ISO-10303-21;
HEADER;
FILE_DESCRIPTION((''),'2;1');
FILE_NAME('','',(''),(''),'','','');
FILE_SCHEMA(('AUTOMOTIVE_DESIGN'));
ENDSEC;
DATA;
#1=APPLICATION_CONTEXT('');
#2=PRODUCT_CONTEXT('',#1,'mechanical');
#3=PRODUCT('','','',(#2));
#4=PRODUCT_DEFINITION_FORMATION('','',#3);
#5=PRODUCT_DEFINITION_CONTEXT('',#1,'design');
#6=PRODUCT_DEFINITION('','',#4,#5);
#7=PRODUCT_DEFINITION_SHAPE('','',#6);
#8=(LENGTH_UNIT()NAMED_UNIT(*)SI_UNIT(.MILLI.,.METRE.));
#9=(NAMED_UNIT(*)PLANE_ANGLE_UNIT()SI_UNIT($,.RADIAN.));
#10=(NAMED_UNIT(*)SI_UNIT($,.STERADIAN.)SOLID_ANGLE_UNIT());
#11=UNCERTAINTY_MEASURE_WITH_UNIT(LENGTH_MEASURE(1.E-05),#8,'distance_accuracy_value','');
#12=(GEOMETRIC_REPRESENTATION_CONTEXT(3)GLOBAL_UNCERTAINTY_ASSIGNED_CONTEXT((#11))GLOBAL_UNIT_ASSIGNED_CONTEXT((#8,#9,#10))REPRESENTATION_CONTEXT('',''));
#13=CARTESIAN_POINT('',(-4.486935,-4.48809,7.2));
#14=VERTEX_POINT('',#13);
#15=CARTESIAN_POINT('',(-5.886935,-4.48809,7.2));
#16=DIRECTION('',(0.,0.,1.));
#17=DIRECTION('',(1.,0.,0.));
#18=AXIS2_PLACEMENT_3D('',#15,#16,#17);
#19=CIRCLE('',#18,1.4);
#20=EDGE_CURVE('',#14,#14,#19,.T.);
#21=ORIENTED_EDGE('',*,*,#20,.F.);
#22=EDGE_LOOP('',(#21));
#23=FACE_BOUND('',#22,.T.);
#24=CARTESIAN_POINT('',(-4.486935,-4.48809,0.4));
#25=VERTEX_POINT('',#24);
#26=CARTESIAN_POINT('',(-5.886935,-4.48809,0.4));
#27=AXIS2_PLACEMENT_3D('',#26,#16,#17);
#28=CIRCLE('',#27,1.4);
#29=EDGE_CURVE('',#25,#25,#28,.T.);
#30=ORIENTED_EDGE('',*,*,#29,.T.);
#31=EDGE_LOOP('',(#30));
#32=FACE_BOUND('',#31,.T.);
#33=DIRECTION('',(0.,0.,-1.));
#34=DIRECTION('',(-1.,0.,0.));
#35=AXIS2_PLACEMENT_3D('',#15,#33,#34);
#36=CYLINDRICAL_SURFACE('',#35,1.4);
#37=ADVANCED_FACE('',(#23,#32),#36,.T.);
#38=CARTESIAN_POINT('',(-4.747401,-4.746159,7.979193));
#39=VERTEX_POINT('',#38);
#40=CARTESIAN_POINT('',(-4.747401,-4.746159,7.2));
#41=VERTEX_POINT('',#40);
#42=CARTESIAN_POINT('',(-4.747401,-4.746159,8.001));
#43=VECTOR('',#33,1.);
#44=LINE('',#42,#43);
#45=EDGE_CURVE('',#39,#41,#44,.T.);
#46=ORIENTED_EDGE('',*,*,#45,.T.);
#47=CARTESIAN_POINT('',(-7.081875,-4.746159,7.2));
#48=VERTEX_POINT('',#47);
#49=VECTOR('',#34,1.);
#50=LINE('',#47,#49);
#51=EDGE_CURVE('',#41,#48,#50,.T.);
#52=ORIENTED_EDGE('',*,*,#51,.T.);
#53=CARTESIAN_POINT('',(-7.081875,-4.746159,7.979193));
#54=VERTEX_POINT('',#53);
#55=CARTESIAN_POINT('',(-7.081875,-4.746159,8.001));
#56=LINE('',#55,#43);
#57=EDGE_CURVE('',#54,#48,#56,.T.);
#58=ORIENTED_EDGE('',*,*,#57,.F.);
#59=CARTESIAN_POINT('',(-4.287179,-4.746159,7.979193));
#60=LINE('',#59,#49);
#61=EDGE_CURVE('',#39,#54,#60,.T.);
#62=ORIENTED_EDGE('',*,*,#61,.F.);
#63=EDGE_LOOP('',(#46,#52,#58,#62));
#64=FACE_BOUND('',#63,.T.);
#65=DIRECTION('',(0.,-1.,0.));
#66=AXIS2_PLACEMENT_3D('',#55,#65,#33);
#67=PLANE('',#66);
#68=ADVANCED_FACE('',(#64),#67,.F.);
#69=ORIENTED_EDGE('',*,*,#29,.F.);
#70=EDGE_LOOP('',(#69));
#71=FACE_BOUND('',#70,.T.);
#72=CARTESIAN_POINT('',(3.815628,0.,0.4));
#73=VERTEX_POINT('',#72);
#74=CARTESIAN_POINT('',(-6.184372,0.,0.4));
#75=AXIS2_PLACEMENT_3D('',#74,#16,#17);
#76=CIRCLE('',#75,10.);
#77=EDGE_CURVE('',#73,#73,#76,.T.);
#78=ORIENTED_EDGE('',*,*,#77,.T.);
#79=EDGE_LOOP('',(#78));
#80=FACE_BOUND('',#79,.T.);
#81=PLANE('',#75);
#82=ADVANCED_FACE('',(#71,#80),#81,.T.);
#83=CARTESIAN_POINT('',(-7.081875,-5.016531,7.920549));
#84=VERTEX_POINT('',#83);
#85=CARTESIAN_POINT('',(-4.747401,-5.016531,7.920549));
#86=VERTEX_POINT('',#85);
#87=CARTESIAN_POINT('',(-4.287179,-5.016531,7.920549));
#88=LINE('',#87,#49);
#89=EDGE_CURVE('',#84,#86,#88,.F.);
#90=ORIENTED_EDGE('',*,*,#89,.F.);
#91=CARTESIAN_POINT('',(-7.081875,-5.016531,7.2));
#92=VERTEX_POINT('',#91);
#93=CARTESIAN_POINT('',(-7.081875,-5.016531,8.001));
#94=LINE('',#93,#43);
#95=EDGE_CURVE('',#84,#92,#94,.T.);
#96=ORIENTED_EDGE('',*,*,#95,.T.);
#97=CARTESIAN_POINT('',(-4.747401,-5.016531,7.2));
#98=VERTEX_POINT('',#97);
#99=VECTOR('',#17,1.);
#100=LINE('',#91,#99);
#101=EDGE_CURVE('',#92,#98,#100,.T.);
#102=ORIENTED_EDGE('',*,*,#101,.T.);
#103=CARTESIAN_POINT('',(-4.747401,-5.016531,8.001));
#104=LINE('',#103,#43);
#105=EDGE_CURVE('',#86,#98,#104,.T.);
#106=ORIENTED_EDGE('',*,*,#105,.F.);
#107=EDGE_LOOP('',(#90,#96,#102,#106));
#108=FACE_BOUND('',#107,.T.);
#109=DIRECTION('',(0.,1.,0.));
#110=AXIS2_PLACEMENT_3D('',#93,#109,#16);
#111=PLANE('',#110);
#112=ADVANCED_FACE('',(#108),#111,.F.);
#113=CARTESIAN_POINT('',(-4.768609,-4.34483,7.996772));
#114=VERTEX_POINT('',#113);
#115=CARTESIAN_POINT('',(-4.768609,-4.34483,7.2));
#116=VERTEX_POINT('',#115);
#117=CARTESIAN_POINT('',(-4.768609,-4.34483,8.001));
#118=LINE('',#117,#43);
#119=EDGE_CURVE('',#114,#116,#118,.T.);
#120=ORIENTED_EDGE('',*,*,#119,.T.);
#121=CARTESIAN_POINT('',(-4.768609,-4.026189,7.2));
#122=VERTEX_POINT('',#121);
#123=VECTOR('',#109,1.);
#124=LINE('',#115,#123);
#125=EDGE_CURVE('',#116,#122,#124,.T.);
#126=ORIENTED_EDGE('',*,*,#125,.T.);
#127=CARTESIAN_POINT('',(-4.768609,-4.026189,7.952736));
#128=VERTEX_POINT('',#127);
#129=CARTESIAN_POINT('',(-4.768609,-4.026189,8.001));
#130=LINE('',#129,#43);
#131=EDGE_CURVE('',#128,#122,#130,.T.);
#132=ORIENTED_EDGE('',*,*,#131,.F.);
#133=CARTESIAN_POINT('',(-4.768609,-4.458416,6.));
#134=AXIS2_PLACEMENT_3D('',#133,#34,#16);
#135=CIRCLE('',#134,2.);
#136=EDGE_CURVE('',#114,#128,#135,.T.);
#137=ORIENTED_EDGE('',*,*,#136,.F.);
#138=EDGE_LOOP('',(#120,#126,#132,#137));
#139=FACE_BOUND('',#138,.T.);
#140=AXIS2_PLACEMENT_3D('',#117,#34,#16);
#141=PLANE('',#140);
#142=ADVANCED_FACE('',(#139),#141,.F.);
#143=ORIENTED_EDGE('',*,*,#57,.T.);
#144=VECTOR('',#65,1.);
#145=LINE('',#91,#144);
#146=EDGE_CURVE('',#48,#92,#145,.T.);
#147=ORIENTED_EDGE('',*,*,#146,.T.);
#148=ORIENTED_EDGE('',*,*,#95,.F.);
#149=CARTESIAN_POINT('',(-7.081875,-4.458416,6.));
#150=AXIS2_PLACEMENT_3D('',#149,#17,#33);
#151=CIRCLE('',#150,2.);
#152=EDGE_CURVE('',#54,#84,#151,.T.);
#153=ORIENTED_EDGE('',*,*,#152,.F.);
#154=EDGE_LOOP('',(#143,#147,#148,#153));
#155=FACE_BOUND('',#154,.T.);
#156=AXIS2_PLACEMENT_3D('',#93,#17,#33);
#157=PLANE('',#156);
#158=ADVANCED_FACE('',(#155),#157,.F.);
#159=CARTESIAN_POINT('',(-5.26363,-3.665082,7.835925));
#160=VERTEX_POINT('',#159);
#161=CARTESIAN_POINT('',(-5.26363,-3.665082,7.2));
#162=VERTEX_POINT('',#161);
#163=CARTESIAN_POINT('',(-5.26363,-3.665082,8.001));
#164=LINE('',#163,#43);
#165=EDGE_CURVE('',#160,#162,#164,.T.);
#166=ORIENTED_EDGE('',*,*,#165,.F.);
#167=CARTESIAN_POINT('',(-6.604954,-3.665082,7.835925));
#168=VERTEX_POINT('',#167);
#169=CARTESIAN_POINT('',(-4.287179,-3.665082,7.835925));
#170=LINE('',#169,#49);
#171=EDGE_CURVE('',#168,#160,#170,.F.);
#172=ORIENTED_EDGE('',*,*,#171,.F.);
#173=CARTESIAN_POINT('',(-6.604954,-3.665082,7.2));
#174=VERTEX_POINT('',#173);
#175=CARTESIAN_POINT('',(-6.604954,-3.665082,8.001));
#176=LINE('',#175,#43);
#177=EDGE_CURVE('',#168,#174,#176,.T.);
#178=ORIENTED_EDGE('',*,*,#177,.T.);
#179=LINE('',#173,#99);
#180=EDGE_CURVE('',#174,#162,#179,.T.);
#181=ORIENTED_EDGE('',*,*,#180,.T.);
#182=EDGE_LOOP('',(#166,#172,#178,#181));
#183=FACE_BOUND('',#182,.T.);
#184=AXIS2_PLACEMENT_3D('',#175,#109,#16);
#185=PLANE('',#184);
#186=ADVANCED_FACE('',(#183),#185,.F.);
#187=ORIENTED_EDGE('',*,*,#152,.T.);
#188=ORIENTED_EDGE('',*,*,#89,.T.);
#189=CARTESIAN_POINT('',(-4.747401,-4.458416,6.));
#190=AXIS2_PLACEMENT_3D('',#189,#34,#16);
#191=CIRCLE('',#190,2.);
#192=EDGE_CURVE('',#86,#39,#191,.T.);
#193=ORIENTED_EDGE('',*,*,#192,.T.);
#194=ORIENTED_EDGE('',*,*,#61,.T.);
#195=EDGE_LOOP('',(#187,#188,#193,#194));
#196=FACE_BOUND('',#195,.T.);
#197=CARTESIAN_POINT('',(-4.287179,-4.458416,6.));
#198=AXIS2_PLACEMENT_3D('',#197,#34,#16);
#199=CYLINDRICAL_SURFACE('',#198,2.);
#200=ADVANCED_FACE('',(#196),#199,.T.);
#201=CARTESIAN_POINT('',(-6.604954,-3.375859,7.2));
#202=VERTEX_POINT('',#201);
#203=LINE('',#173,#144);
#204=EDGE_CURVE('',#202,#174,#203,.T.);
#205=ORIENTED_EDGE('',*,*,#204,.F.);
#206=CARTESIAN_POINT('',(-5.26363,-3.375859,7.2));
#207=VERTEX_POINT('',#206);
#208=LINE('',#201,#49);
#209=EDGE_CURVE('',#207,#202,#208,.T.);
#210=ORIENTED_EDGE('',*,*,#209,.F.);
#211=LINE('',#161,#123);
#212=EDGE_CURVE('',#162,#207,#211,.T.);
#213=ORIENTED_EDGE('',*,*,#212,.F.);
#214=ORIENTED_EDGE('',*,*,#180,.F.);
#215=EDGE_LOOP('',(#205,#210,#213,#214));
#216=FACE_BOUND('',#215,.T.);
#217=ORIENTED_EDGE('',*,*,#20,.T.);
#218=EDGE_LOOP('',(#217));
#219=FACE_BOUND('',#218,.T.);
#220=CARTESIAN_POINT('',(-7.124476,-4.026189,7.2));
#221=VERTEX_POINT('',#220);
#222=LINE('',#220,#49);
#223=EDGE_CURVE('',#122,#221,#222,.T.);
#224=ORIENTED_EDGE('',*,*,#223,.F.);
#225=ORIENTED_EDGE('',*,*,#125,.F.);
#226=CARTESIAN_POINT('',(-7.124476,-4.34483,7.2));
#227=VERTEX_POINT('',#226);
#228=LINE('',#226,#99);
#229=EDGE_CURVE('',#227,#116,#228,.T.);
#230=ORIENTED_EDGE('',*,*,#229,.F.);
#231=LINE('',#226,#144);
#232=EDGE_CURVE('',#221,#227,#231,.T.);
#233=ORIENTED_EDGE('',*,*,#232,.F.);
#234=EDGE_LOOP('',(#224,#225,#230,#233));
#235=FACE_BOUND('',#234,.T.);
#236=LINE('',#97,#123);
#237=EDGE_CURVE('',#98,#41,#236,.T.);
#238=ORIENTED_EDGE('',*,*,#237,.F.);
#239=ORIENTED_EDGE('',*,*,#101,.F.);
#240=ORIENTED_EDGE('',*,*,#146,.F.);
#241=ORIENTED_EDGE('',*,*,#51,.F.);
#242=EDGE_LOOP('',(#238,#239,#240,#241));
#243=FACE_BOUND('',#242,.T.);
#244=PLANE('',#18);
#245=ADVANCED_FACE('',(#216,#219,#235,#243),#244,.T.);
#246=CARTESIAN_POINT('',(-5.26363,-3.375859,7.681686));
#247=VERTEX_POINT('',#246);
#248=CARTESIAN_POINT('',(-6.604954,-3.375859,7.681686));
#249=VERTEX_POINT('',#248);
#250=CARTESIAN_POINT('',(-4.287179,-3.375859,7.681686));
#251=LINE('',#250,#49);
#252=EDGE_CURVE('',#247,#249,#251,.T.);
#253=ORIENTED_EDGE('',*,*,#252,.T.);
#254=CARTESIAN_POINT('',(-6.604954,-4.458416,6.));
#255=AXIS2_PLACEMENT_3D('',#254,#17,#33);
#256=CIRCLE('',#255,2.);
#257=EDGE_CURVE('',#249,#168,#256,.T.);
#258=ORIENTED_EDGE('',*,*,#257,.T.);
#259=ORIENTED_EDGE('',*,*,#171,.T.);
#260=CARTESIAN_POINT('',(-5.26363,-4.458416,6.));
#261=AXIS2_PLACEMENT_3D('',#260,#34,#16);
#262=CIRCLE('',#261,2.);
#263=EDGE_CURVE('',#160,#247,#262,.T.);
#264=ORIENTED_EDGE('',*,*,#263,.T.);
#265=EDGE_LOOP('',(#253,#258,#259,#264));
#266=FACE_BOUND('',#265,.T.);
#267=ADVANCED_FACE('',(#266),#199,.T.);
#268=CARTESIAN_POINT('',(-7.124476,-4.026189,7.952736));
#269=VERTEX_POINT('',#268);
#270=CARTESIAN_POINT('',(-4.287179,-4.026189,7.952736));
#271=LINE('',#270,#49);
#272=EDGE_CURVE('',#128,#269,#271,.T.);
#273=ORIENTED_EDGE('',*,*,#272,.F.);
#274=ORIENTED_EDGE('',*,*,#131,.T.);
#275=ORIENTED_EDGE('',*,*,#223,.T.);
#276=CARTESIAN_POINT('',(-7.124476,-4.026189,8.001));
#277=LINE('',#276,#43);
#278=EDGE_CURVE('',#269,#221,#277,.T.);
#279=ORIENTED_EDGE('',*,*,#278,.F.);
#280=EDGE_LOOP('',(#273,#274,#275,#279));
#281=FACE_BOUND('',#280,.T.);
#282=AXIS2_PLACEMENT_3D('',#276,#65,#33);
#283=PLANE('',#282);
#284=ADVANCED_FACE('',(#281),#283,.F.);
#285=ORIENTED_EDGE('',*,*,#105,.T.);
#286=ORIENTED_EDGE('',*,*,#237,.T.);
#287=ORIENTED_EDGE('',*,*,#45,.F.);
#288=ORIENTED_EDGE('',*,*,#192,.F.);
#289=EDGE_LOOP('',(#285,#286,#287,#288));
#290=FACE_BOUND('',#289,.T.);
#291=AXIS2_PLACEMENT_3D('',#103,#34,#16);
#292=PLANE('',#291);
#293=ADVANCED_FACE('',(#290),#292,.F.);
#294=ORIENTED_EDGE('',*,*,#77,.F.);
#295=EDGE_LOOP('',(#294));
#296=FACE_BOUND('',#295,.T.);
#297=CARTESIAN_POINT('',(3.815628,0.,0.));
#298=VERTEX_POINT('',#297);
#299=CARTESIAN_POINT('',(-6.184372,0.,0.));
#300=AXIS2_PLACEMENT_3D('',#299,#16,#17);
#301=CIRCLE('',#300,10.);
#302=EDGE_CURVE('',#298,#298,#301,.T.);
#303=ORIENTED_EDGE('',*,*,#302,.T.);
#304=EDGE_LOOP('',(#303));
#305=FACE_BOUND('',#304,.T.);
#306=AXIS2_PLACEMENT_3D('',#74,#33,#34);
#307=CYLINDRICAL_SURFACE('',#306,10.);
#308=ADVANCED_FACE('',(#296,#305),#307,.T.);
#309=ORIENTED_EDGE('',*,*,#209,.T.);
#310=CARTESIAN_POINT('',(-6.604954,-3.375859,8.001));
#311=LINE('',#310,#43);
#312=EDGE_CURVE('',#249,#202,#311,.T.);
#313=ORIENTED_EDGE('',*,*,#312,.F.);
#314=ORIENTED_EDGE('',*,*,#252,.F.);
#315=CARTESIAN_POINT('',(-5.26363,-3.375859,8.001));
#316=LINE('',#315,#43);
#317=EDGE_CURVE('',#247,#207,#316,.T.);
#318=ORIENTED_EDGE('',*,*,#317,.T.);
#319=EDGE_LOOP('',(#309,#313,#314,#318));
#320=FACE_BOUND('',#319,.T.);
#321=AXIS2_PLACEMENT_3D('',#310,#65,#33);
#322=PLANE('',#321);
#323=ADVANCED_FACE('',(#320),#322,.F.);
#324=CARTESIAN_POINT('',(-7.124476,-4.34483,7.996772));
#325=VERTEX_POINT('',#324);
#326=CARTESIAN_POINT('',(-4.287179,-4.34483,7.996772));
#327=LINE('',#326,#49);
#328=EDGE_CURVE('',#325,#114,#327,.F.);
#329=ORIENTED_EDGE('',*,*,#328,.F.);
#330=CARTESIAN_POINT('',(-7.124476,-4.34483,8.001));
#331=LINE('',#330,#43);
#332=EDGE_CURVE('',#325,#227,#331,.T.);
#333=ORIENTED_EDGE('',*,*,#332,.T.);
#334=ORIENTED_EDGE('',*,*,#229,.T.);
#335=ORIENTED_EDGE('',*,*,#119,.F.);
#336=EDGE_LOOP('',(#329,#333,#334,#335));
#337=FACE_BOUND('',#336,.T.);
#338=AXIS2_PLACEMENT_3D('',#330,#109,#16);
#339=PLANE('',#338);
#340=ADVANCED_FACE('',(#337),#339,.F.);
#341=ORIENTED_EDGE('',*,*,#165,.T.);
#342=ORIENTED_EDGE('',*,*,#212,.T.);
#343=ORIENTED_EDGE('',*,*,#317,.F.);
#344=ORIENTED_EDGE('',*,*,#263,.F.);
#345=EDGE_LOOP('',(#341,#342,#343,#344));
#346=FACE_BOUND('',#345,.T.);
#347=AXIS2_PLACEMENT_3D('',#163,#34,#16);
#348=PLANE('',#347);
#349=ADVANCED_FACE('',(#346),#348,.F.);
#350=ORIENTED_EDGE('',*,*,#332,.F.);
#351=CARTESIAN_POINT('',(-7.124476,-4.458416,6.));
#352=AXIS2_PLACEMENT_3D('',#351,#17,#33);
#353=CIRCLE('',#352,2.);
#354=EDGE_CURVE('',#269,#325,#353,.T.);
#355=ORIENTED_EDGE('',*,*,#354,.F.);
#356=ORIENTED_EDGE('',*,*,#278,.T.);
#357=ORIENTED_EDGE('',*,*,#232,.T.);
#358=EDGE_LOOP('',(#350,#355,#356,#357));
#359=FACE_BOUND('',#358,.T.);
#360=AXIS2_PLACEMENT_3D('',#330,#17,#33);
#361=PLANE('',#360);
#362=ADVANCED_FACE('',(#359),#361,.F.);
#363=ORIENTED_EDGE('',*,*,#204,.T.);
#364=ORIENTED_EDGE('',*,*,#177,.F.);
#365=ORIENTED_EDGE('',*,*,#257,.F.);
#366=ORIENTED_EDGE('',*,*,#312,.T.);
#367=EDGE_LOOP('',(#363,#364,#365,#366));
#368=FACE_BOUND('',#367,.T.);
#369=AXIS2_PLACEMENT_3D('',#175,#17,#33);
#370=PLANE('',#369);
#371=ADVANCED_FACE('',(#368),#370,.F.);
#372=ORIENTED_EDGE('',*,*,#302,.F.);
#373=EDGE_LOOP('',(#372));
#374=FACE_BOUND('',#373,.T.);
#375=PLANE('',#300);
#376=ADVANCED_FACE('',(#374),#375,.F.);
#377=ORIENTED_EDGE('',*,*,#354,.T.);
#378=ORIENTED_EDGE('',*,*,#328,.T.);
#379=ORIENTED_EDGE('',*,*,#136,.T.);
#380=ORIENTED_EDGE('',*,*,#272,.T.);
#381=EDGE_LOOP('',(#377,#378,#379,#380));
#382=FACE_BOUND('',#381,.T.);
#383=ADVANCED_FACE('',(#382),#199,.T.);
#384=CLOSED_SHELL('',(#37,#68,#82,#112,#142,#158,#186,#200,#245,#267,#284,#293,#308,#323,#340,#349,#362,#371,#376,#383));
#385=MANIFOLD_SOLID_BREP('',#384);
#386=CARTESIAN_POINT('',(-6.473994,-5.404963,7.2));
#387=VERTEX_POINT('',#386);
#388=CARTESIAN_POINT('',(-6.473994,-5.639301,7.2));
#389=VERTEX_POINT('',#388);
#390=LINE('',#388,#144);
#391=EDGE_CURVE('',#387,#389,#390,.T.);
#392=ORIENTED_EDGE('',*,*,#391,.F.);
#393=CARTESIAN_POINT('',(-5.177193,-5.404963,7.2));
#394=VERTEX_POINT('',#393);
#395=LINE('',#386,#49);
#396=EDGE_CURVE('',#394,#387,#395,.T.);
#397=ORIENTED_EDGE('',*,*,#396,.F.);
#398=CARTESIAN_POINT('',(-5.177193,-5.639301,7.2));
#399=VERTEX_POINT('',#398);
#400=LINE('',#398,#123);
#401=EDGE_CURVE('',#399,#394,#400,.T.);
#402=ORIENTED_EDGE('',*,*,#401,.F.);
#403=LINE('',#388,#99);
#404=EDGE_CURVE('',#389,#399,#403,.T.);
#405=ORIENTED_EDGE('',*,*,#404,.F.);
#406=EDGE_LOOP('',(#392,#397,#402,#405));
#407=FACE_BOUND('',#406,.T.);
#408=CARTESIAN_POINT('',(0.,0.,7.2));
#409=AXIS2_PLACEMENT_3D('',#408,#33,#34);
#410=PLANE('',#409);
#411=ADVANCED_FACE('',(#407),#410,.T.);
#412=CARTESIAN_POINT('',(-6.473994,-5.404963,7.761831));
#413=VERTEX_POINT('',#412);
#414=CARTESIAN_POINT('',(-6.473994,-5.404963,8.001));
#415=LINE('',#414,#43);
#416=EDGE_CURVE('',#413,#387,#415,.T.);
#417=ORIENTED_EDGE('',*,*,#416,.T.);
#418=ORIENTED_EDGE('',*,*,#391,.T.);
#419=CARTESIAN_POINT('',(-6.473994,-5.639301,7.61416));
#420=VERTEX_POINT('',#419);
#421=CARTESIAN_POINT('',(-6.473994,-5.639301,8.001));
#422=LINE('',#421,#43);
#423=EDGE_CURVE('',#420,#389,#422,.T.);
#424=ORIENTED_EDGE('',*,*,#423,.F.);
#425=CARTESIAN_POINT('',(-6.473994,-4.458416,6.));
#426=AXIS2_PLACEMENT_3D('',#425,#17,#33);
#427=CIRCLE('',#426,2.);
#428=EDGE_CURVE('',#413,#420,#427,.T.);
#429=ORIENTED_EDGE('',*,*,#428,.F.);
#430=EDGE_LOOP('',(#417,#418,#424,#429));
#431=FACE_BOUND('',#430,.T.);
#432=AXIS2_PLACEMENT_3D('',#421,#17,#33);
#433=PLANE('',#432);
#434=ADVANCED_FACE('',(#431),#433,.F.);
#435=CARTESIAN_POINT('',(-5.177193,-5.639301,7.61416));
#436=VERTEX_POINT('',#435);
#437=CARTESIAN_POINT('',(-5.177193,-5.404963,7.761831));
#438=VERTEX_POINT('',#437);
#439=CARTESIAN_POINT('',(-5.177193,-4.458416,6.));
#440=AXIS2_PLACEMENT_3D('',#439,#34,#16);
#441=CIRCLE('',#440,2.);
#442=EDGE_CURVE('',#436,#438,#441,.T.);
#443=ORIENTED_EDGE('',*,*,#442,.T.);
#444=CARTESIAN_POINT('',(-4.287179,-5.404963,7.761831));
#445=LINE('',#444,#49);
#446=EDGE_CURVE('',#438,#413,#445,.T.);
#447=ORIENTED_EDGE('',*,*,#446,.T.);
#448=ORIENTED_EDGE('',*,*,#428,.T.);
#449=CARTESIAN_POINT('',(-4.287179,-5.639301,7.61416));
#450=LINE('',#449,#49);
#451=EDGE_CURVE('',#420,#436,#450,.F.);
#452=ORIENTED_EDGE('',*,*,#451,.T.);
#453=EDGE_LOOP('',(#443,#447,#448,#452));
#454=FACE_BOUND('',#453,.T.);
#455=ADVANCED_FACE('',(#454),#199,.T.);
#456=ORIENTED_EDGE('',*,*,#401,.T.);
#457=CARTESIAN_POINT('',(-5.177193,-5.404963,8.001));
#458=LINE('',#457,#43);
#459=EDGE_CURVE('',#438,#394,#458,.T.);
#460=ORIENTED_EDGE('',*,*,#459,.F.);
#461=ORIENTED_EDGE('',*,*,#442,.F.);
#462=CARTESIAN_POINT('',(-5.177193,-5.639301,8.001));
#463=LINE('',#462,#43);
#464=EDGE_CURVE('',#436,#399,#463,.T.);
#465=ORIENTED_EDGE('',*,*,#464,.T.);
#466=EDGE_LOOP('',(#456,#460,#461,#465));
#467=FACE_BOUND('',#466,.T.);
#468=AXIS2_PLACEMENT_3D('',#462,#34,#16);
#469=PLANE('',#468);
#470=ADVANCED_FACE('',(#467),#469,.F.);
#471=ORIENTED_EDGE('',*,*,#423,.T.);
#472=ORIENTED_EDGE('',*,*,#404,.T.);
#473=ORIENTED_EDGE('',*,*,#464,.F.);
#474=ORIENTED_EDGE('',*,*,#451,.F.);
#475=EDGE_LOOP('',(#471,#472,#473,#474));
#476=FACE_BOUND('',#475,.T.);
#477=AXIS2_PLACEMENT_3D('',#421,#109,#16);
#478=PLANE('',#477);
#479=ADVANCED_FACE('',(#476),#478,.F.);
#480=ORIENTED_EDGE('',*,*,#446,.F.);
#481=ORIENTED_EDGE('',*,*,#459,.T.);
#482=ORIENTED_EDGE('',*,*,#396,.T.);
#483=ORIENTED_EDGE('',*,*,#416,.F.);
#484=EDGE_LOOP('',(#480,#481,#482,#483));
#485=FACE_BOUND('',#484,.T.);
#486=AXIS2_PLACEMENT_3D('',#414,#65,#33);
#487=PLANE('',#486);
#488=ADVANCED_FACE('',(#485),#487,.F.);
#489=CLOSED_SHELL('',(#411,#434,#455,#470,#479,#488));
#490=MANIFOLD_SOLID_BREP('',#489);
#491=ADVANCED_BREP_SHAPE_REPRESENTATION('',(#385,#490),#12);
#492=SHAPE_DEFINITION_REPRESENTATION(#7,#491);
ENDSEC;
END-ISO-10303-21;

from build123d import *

# Parameters (mm, degrees)
SKETCH1_R                = 10
BOSS_EXTRUDE1_DEPTH      = 0.4
SKETCH2_R                = 1.4
BOSS_EXTRUDE2_DEPTH      = 6.8
BOSS_EXTRUDE4_REACH      = 22.341
BOSS_EXTRUDE4_END_RADIUS = 2
SKETCH5_W                = 1.296800958
SKETCH5_H                = 0.234337446
BOSS_EXTRUDE5_REACH      = 22.341
BOSS_EXTRUDE5_END_RADIUS = 2
SKETCH6_W                = 2.334473836
SKETCH6_H                = 0.270371377
BOSS_EXTRUDE6_REACH      = 22.341
BOSS_EXTRUDE6_END_RADIUS = 2
SKETCH7_W                = 2.355867359
SKETCH7_H                = 0.318641547
BOSS_EXTRUDE7_REACH      = 22.341
BOSS_EXTRUDE7_END_RADIUS = 2
SKETCH8_W                = 1.341324005
SKETCH8_H                = 0.289222795


with BuildPart() as part:
    # Sketch1 → Boss-Extrude1 (new body)
    with BuildSketch(Plane.XY):
        with Locations((-6.184372355, 0)):
            Circle(SKETCH1_R)
    extrude(amount=BOSS_EXTRUDE1_DEPTH)

    # Sketch2 → Boss-Extrude2 (add)
    with BuildSketch(Plane.XY.offset(0.4)):
        with Locations((-5.886934799, -4.488089726)):
            Circle(SKETCH2_R)
    extrude(amount=BOSS_EXTRUDE2_DEPTH)

    # Boss-Extrude5: up to this cylinder (the profile starts inside it)
    boss_extrude5_end = Plane(origin=(-5.914638, -4.45841646, 6), z_dir=(-1, 0, 0)) * Cylinder(BOSS_EXTRUDE5_END_RADIUS, 49.682, mode=Mode.PRIVATE)
    # Sketch6 → Boss-Extrude5 (add, up to the surface)
    with BuildSketch(Plane.XY.offset(7.2), mode=Mode.PRIVATE) as boss_extrude5_sk1:
        with Locations((-5.914638283, -4.88134499)):
            Rectangle(SKETCH6_W, SKETCH6_H)
    boss_extrude5_tool1 = extrude(boss_extrude5_sk1.sketch, amount=BOSS_EXTRUDE5_REACH, mode=Mode.PRIVATE) & boss_extrude5_end
    add(boss_extrude5_tool1.solids().sort_by_distance((-5.914638, -4.881345, 7.2))[0])

    # Boss-Extrude6: up to this cylinder (the profile starts inside it)
    boss_extrude6_end = Plane(origin=(-5.946542, -4.45841646, 6), z_dir=(-1, 0, 0)) * Cylinder(BOSS_EXTRUDE6_END_RADIUS, 49.682, mode=Mode.PRIVATE)
    # Sketch7 → Boss-Extrude6 (add, up to the surface)
    with BuildSketch(Plane.XY.offset(7.2), mode=Mode.PRIVATE) as boss_extrude6_sk1:
        with Locations((-5.946542218, -4.185509646)):
            Rectangle(SKETCH7_W, SKETCH7_H)
    boss_extrude6_tool1 = extrude(boss_extrude6_sk1.sketch, amount=BOSS_EXTRUDE6_REACH, mode=Mode.PRIVATE) & boss_extrude6_end
    add(boss_extrude6_tool1.solids().sort_by_distance((-5.946542, -4.18551, 7.2))[0])

    # Boss-Extrude7: up to this cylinder (the profile starts inside it)
    boss_extrude7_end = Plane(origin=(-5.934292, -4.45841646, 6), z_dir=(-1, 0, 0)) * Cylinder(BOSS_EXTRUDE7_END_RADIUS, 49.682, mode=Mode.PRIVATE)
    # Sketch8 → Boss-Extrude7 (add, up to the surface)
    with BuildSketch(Plane.XY.offset(7.2), mode=Mode.PRIVATE) as boss_extrude7_sk1:
        with Locations((-5.934291899, -3.520470411)):
            Rectangle(SKETCH8_W, SKETCH8_H)
    boss_extrude7_tool1 = extrude(boss_extrude7_sk1.sketch, amount=BOSS_EXTRUDE7_REACH, mode=Mode.PRIVATE) & boss_extrude7_end
    add(boss_extrude7_tool1.solids().sort_by_distance((-5.934292, -3.52047, 7.2))[0])


with BuildPart() as body_2:
    # Boss-Extrude4: up to this cylinder (the profile starts inside it)
    boss_extrude4_end = Plane(origin=(-5.825593, -4.45841646, 6), z_dir=(-1, 0, 0)) * Cylinder(BOSS_EXTRUDE4_END_RADIUS, 49.682, mode=Mode.PRIVATE)
    # Sketch5 → Boss-Extrude4 (new, up to the surface)
    with BuildSketch(Plane.XY.offset(7.2), mode=Mode.PRIVATE) as boss_extrude4_sk1:
        with Locations((-5.825593386, -5.522131989)):
            Rectangle(SKETCH5_W, SKETCH5_H)
    boss_extrude4_tool1 = extrude(boss_extrude4_sk1.sketch, amount=BOSS_EXTRUDE4_REACH, mode=Mode.PRIVATE) & boss_extrude4_end
    add(boss_extrude4_tool1.solids().sort_by_distance((-5.825593, -5.522132, 7.2))[0])


solid = Compound([part.part, body_2.part])
